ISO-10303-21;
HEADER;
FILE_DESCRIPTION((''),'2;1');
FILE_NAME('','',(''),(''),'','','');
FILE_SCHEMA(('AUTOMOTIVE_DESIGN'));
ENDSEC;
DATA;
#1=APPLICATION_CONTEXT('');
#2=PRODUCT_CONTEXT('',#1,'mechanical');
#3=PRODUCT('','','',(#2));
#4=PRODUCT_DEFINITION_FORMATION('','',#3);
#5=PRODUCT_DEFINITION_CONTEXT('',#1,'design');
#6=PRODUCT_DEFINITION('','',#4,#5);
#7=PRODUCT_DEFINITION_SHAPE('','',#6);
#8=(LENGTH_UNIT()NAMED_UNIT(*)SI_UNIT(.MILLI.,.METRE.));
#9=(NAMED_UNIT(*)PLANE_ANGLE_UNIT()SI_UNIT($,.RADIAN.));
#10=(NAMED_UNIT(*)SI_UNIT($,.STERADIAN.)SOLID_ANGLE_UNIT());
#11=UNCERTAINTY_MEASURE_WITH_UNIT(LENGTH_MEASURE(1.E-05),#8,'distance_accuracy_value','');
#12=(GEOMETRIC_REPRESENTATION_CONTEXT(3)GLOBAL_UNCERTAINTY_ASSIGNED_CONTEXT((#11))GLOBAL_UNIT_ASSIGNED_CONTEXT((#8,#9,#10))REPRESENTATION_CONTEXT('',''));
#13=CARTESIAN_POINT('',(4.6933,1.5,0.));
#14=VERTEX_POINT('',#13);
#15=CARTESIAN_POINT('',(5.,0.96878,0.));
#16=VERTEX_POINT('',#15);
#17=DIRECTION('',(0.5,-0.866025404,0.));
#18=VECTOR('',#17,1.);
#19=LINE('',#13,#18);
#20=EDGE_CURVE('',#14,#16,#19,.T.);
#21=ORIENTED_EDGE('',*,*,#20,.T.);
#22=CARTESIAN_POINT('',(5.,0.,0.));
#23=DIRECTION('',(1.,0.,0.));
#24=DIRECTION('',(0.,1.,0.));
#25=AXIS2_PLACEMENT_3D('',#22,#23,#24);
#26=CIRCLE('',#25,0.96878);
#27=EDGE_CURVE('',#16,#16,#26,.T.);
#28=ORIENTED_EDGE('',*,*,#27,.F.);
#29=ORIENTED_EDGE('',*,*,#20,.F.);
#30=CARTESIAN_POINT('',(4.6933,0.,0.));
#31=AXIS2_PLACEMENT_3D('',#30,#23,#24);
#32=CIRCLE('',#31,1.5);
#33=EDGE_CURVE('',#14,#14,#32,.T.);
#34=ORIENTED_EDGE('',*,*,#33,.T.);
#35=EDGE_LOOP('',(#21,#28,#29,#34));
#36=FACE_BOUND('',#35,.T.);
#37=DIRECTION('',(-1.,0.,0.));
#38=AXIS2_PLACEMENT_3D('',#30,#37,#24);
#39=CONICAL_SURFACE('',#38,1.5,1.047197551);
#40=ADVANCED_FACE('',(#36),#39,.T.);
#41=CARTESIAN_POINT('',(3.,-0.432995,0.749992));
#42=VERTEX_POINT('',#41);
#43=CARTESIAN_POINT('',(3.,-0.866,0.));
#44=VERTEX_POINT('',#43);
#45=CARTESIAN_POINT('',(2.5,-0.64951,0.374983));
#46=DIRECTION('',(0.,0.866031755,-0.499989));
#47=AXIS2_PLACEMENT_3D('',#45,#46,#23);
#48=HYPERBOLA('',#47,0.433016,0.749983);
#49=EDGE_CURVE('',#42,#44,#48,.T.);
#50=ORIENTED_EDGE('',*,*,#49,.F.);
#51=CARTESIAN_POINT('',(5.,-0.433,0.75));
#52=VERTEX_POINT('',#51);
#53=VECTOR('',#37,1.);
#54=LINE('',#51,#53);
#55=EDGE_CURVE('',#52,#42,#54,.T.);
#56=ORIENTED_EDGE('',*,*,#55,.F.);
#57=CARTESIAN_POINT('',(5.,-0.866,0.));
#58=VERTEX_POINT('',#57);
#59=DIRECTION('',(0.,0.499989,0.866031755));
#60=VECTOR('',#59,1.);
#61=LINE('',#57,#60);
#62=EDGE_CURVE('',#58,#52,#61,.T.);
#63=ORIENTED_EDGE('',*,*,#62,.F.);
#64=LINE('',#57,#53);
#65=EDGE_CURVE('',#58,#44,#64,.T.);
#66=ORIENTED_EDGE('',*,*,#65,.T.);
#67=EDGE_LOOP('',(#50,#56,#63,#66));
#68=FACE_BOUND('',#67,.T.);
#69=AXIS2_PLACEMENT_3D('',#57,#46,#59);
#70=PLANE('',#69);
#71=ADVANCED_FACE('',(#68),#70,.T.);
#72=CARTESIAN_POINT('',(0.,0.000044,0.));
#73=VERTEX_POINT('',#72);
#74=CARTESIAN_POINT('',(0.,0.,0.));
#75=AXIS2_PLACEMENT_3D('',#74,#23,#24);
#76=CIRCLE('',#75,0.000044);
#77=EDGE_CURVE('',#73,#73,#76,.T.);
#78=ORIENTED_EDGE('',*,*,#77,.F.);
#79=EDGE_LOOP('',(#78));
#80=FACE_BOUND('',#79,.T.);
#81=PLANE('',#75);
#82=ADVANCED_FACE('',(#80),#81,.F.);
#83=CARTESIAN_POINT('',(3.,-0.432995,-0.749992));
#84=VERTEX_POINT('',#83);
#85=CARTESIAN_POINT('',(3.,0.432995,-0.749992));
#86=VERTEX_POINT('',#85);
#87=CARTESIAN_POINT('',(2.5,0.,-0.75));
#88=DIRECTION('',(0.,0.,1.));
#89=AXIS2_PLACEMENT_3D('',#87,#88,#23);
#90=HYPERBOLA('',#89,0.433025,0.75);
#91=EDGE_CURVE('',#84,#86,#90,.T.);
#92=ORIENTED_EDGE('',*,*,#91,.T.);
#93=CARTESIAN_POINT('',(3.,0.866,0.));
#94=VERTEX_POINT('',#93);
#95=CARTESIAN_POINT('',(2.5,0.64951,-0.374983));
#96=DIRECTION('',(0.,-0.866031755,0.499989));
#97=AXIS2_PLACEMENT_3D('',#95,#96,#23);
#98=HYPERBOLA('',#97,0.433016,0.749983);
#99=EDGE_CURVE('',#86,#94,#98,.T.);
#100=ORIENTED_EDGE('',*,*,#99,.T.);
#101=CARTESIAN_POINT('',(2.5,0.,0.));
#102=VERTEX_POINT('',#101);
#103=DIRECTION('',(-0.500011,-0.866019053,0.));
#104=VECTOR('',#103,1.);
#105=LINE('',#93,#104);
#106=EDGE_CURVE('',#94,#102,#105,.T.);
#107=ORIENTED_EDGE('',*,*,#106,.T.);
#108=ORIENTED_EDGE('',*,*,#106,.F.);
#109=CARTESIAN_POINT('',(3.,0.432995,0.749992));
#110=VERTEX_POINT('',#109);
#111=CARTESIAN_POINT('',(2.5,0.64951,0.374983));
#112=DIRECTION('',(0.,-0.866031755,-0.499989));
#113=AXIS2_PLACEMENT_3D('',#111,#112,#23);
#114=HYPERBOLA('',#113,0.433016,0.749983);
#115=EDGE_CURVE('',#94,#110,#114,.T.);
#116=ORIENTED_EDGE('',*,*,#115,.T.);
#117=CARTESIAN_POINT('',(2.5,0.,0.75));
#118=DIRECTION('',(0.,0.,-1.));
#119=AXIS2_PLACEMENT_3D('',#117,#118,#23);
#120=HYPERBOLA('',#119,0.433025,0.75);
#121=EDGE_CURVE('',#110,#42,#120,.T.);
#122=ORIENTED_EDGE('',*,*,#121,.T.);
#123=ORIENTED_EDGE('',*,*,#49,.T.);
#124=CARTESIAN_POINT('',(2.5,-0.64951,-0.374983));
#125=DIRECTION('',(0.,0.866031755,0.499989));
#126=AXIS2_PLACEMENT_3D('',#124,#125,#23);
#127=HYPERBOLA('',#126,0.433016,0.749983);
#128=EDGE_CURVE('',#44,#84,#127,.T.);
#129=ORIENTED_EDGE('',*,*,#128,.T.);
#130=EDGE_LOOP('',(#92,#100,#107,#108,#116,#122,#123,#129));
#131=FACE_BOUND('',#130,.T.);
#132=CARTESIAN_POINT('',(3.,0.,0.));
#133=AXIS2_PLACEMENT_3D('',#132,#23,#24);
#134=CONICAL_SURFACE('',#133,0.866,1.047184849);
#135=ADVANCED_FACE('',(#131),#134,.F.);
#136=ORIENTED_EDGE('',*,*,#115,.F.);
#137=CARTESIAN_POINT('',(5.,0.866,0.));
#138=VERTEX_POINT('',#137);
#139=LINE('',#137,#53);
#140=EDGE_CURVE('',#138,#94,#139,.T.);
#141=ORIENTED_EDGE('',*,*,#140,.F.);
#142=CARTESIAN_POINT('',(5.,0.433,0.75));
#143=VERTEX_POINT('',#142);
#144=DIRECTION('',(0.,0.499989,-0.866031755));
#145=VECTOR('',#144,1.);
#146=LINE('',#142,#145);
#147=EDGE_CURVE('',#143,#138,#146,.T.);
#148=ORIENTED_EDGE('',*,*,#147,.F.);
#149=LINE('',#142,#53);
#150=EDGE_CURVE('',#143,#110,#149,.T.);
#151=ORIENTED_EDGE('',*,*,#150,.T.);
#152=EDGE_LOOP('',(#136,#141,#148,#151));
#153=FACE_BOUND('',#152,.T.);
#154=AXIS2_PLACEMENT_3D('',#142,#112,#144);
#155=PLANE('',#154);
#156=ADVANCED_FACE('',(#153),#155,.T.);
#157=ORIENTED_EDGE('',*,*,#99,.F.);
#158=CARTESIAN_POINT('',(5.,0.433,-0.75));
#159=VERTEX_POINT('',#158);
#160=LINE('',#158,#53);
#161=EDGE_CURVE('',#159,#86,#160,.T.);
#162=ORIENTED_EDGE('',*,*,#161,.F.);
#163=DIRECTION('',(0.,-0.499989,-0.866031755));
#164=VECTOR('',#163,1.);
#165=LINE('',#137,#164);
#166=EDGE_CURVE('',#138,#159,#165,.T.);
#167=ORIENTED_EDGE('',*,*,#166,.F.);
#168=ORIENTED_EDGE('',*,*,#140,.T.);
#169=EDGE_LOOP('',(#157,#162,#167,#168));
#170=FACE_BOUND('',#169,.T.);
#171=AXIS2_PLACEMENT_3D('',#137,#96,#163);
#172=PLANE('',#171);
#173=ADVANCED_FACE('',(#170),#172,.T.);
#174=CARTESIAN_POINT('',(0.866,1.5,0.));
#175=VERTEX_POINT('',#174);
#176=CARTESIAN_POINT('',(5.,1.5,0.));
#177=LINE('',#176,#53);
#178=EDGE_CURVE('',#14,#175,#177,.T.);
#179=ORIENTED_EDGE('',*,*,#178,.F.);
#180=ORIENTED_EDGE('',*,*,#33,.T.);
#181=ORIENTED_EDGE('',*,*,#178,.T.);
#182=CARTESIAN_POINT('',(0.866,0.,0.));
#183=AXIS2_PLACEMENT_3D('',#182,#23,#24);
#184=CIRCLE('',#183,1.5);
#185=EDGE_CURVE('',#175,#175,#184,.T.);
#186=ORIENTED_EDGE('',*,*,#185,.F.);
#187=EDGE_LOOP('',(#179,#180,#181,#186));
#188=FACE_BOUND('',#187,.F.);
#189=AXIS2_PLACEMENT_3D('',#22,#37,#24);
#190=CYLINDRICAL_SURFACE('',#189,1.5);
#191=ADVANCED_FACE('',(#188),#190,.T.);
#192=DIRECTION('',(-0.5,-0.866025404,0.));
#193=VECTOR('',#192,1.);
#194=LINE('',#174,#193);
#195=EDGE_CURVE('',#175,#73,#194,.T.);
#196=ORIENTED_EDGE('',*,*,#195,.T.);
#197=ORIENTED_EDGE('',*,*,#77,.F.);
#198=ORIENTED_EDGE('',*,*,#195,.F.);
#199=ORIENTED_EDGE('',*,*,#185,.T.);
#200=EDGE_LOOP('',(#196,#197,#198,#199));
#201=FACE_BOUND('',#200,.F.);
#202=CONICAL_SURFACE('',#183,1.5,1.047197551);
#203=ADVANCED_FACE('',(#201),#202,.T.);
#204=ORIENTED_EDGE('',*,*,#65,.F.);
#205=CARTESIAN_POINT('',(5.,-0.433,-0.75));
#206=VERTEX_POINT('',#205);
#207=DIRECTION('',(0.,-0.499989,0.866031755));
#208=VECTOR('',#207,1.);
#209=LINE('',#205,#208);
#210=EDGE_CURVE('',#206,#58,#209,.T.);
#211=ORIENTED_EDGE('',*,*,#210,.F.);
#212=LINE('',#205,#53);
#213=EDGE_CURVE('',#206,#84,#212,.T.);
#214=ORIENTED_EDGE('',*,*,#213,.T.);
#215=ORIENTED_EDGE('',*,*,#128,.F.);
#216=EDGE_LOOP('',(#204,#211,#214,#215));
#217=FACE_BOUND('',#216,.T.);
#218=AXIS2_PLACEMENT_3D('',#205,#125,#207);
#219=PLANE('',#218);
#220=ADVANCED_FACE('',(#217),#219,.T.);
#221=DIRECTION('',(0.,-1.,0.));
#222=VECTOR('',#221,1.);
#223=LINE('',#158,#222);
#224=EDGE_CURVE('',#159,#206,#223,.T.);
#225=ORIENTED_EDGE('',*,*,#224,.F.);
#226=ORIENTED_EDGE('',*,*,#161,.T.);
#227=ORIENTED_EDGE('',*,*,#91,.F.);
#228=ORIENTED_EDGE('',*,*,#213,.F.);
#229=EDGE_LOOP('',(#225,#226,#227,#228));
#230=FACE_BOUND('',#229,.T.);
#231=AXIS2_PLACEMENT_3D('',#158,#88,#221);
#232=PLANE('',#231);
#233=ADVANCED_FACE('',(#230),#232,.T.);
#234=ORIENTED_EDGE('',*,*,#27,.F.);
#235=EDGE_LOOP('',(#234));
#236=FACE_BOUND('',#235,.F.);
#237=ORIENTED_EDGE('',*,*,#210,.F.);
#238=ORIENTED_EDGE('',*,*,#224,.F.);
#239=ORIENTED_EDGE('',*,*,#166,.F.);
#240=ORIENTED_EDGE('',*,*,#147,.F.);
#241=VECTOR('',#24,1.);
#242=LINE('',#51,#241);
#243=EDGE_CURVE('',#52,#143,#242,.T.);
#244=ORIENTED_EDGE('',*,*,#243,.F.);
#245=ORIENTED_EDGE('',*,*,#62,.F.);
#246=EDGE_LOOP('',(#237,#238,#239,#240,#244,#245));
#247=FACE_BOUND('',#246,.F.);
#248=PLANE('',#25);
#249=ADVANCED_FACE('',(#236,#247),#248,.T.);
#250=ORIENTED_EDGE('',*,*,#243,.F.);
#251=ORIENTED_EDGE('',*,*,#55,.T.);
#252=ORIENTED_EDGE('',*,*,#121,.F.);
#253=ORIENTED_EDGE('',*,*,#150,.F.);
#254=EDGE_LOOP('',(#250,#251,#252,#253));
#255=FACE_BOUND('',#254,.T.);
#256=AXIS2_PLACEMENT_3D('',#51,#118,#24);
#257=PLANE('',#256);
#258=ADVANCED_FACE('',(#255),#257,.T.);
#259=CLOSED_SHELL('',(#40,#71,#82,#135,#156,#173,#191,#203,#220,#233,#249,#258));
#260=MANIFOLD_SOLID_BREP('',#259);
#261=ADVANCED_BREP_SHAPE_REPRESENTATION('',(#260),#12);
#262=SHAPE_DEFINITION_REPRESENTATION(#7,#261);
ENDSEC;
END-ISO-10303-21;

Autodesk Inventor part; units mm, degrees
ref_plane "YZ Plane" through (0, 0, 0) normal (1, 0, 0) x (0, 1, 0)
ref_plane "XZ Plane" through (0, 0, 0) normal (0, 1, 0) x (-1, 0, 0)
sketch "Sketch1" plane through (0, 0, 0) normal (0, 0, 1) x (1, 0, 0)
  line L0 (0, 0) -> (2.5, 0)
  line L1 (5, 0.866) -> (5, 1.5)
  line L2 (5, 1.5) -> (0, 1.5)
  line L3 (5, 0.866) -> (3, 0.866)
  line L4 (3, 0.866) -> (2.5, 0)
  line L5 (0, -0.3) -> (0, 1.8) projected
  line L6 (0, 1.5) -> (0, 0)
  dimension "d0" = 2
  dimension "d1" = 60
  dimension "d2" = 3
  dimension "d3" = 1.7321
  dimension "d5" = 5
revolve "Body" add sketch "Sketch1" angle 360 about axis through (0, 0, 0) along (1, 0, 0)
sketch "Sketch2" plane through (5, 0, 0) normal (1, 0, 0) x (0, 1, 0)
  circle A0 centre (0, 0) radius 0.866 projected
  line L0 (-0.433, 0.75) -> (0.433, 0.75)
  line L1 (0.433, 0.75) -> (0.866, 0)
  line L2 (0.866, 0) -> (0.433, -0.75)
  line L3 (0.433, -0.75) -> (-0.433, -0.75)
  line L4 (-0.433, -0.75) -> (-0.866, 0)
  line L5 (-0.866, 0) -> (-0.433, 0.75)
  point P0 (0, 0)
  point P1 (0, 0)
extrude "Slot" add sketch "Sketch2" against normal up to next contours L1 A0 | A0 L2 | L0 A0 | A0 L3 | L5 A0 | A0 L4
thread "Thread" size "M3x0.5" class "6g" standard "ISO Metric profile" length 5
chamfer "Chamfer1" distance 0.866 angle 60 1 edges at (0, -1.5, 0) measured on face at (3.3333, 1.4951, -0.1207)
chamfer "Chamfer2" distance 0.3067 angle 60 1 edges at (5, -1.5, 0) measured on face at (3.6218, 1.4951, -0.1207)
ref_plane "Work Plane1" through (2.5, 0, 0) normal (0, 0, 1) x (1, 0, 0)
equation "\"d0\" = INTI"
equation "\"d2\" = NND"
equation "\"d3\" = 1.1547 * SW"
equation "\"d5\" = NLG"
equation "\"d12\" = NLG"
equation "\"d9\" = FAWI"
equation "\"d10\" = -0.5 * GD1 + 0.5 * NND"
equation "\"d11\" = FAWI"
equation "\"d35\" = -0.5 * GD1 + 0.5 * NND"
equation "\"NND\" = 3"
equation "\"NLG\" = 5"
equation "\"INTI\" = 2"
equation "\"FAWI\" = 60deg"
equation "\"SW\" = 1.5"
equation "\"GD1\" = THREADDIA - 1.2269 * PTC"
equation "\"FAWI1\" = 45deg"
equation "\"SPD\" = 0.00001"
equation "\"GUL\" = 0.61345 * PTC"
equation "\"TOA\" = 30deg"
equation "\"THREADDIA\" = 3"
equation "\"PTC\" = 0.5"
equation "\"GAL\" = 0.61345 * PTC"
equation "\"E0\" = 1.155 * SW"
properties part number "AS 1421 - M3x5 Cone Point" material "Steel, Mild"
